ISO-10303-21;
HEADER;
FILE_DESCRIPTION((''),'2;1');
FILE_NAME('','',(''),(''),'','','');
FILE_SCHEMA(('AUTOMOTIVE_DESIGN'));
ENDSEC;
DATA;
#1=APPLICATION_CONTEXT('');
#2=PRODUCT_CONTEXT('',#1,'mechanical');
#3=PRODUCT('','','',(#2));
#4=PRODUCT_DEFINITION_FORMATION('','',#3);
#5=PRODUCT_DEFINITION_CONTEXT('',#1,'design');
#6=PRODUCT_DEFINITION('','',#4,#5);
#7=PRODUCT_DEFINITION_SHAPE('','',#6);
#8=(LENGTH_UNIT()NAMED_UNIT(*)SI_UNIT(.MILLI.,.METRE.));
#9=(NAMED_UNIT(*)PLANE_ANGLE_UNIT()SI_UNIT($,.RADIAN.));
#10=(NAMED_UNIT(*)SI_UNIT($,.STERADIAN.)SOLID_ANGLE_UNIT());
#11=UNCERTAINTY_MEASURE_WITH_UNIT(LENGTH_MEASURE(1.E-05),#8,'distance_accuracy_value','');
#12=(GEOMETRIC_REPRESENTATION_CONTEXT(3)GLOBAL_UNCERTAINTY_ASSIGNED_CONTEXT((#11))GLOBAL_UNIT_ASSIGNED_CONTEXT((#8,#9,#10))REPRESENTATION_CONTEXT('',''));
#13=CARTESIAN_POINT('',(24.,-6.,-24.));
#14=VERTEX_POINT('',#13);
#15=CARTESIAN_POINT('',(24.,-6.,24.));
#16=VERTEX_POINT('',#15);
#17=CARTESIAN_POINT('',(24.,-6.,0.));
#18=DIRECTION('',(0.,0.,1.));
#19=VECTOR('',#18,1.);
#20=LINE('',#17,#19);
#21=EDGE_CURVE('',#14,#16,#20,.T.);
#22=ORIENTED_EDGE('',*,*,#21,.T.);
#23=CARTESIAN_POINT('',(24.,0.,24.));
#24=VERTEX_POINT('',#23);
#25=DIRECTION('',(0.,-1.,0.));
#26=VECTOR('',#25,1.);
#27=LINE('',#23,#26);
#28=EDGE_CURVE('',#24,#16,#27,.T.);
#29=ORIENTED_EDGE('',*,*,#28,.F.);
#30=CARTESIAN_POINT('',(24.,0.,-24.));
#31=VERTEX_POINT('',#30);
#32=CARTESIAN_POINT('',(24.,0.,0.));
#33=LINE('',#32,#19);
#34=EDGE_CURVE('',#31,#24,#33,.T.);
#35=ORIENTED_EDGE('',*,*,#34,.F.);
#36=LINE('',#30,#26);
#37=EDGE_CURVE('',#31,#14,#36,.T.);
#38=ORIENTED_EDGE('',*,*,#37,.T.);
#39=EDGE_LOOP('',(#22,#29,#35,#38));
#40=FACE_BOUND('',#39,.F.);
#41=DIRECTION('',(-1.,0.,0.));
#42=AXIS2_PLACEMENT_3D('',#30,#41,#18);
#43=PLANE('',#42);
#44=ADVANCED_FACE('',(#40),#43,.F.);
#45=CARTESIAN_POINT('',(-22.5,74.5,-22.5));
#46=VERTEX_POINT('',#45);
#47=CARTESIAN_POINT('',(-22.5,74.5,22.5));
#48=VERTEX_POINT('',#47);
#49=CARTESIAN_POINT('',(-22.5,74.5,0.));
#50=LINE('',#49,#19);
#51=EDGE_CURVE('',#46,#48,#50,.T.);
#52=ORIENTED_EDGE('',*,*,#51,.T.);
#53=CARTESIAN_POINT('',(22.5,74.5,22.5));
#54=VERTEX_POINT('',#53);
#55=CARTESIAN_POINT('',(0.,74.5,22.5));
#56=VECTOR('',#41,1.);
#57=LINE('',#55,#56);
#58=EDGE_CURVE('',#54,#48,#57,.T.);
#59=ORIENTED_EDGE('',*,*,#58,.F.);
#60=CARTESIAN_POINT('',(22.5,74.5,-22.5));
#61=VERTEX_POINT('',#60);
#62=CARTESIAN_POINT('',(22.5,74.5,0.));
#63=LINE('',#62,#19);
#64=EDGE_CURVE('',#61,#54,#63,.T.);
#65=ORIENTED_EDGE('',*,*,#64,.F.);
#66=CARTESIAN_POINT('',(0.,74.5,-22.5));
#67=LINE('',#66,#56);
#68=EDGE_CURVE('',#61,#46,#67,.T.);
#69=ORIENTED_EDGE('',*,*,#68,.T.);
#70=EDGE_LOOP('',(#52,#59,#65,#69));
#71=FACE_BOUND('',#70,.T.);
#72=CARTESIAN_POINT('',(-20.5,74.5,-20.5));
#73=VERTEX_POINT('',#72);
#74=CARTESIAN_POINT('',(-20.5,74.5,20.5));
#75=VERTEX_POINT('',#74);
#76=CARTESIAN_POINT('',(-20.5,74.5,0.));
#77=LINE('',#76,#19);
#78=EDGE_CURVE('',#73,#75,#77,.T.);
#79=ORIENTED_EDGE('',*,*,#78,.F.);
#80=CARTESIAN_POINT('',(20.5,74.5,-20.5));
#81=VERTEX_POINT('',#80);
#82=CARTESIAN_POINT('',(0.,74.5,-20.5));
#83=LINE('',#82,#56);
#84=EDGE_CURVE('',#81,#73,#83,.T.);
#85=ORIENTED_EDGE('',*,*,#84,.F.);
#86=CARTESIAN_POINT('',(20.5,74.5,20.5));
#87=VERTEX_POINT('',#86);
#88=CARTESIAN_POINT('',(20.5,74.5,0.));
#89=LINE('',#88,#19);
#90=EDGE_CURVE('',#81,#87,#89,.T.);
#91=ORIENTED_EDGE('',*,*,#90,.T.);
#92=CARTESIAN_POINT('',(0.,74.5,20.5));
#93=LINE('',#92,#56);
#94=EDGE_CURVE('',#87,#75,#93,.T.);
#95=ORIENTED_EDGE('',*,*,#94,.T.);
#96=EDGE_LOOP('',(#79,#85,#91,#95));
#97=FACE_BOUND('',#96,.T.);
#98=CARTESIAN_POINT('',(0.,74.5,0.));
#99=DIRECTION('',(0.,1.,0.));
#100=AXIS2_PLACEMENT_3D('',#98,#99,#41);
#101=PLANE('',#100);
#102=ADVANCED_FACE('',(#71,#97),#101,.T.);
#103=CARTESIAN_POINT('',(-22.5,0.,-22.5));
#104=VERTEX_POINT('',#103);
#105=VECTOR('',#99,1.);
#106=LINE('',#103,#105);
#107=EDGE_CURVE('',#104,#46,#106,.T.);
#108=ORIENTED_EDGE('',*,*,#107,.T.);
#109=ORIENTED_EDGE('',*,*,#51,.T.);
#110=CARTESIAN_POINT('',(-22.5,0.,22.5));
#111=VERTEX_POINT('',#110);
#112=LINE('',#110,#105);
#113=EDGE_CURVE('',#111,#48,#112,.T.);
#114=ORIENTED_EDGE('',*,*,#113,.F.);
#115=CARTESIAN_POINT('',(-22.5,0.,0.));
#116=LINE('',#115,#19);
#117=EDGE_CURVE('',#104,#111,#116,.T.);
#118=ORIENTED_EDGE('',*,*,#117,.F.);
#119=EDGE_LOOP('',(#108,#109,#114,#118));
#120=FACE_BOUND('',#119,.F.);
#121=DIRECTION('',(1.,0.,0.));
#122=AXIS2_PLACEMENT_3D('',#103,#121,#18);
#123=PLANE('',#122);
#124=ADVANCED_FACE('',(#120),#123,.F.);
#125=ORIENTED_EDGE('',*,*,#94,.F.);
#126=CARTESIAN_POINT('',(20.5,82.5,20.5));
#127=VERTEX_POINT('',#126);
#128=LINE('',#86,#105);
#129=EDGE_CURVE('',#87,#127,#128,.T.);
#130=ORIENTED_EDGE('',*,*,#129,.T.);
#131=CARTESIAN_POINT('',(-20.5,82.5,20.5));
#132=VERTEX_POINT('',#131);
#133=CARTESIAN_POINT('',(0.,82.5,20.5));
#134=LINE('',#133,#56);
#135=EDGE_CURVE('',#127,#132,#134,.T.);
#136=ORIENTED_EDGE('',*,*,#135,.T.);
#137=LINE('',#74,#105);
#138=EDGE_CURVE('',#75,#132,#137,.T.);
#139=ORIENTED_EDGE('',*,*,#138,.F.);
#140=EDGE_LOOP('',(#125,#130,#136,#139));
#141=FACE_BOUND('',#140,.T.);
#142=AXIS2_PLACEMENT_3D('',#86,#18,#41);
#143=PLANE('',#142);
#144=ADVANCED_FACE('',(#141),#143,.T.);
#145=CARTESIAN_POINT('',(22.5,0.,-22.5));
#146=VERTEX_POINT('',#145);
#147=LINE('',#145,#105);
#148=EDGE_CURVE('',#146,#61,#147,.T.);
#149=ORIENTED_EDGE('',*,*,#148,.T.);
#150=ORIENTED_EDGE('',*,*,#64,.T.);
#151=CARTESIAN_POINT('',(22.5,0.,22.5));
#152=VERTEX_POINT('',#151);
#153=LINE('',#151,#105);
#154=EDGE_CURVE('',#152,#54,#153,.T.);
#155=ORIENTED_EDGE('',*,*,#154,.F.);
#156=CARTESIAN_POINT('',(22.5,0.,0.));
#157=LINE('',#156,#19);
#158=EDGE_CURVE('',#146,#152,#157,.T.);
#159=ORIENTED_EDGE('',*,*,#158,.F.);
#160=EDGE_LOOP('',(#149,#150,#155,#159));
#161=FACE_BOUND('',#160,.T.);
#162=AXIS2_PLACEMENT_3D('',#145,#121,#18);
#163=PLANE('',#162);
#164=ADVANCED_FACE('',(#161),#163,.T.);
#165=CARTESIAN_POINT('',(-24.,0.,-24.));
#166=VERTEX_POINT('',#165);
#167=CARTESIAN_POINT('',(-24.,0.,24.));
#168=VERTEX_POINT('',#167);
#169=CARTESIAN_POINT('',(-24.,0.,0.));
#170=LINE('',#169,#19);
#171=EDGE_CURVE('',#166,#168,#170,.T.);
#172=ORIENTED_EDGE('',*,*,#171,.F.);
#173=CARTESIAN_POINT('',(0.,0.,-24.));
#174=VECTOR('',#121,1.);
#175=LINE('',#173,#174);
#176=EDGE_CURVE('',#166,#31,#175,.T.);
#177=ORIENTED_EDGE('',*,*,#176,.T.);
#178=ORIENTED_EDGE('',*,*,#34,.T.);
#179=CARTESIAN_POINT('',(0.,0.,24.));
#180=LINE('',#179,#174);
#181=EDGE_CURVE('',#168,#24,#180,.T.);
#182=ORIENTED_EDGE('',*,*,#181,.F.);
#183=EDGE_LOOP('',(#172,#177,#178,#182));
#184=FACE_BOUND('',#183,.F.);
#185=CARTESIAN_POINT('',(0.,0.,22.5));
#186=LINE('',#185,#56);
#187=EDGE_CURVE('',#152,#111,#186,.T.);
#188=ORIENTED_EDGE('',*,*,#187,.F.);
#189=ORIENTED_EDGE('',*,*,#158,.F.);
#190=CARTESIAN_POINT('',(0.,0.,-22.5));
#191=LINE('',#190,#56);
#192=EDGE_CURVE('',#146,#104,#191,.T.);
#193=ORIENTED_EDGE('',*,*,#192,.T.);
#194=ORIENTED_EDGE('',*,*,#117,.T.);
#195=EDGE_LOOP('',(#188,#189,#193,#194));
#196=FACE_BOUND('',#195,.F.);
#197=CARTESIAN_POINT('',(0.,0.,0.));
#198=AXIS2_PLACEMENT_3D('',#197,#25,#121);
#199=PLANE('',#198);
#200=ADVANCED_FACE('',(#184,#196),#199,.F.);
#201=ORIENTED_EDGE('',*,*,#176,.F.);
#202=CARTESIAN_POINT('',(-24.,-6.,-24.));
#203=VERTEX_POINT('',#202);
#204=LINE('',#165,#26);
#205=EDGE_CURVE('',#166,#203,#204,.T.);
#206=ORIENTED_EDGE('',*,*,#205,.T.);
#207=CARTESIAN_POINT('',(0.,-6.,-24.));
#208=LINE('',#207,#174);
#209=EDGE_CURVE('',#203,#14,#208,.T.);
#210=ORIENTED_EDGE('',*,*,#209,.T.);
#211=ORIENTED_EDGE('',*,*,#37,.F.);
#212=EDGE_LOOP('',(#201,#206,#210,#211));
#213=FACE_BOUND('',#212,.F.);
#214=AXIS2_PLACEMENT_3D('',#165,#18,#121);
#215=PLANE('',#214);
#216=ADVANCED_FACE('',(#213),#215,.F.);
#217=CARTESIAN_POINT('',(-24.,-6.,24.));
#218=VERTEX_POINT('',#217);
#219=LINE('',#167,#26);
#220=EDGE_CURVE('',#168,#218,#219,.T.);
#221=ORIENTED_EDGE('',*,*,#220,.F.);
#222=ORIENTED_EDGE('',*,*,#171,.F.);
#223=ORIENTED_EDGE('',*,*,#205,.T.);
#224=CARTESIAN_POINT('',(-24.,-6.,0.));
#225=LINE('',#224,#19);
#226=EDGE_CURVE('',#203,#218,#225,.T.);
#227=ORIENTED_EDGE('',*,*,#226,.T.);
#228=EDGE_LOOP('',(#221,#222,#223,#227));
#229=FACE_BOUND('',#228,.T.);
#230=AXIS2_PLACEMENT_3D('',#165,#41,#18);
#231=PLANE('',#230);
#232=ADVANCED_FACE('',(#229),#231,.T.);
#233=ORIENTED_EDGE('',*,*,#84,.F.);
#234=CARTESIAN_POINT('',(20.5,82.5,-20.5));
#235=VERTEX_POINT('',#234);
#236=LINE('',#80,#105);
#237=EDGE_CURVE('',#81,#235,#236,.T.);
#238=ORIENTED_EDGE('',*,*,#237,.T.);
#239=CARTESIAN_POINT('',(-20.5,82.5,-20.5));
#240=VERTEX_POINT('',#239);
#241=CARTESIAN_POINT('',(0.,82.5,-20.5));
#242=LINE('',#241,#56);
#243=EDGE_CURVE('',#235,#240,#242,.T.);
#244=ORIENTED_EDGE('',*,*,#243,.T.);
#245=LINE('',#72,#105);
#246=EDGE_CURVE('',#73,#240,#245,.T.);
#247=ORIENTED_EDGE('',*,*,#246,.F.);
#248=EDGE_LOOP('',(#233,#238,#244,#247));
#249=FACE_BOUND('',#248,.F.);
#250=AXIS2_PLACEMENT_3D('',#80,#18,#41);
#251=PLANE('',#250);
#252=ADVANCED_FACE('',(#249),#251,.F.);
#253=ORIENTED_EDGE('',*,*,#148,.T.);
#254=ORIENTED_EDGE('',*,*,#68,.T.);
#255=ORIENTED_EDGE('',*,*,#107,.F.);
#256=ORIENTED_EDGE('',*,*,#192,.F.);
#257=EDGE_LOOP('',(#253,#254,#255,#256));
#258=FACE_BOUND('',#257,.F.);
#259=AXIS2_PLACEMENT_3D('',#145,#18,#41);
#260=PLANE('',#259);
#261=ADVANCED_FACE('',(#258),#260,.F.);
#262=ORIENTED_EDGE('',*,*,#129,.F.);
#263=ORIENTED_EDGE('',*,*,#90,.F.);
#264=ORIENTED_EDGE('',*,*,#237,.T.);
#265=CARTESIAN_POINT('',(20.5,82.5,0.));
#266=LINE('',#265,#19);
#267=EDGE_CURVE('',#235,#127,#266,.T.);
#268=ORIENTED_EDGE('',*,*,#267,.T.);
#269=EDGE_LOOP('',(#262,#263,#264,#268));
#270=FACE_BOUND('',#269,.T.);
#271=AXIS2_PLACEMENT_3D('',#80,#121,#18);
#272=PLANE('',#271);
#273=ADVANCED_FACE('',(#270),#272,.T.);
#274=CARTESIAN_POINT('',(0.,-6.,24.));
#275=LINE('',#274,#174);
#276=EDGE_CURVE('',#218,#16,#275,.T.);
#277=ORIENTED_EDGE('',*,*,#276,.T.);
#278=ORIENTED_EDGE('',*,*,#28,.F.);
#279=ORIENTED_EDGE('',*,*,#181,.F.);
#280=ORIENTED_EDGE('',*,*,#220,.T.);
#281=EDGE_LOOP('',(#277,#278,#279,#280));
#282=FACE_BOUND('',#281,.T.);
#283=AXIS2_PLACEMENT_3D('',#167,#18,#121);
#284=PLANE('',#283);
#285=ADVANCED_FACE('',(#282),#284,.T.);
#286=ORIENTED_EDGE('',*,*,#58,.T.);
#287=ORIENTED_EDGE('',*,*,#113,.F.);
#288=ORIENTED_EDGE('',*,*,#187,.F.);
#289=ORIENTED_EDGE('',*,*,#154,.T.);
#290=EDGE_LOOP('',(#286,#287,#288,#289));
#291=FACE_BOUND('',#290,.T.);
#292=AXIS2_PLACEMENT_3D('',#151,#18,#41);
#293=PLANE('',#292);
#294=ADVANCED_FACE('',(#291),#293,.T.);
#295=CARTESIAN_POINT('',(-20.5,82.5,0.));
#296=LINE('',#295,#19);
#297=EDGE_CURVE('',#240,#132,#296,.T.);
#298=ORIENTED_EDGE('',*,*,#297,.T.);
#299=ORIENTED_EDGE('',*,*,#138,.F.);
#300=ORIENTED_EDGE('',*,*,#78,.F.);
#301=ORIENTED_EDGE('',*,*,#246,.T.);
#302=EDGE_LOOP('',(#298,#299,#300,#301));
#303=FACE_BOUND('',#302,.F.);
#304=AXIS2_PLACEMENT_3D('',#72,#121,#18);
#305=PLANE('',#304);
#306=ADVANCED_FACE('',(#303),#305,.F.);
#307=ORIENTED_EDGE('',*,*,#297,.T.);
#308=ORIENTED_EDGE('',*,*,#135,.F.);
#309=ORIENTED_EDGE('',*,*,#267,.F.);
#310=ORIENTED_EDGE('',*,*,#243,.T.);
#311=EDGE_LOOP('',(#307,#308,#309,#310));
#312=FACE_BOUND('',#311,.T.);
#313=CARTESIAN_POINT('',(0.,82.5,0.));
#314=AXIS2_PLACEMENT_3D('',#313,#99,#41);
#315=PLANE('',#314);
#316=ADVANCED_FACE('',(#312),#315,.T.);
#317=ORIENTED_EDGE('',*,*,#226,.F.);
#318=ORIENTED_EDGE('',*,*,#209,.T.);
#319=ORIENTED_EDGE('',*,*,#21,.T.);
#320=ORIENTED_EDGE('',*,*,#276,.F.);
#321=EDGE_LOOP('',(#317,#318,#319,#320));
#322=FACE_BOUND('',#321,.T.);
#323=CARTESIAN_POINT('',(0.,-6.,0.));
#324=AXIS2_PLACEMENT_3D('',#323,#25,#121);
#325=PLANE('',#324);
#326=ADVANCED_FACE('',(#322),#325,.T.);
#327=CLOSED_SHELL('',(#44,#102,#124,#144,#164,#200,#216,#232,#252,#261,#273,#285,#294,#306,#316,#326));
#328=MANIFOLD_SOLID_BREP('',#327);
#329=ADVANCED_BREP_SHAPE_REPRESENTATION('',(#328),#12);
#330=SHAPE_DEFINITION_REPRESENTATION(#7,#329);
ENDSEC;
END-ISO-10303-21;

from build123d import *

# Parameters (mm, degrees)
F0_W     = 48
F0_H     = 48
F1_DEPTH = 6
F2_W     = 45
F2_H     = 45
F3_DEPTH = 74.5
F4_W     = 41
F4_H     = 41
F5_DEPTH = 8


with BuildPart() as f1:
    # F0 (on Front) → F1 (new body)
    with BuildSketch(Plane.XZ):
        Rectangle(F0_W, F0_H)
    extrude(amount=F1_DEPTH)

    # F2 (on face) → F3 (join)
    with BuildSketch(Plane(origin=(0, 0, 0), x_dir=(-1, 0, 0), z_dir=(0, 1, 0))):
        Rectangle(F2_W, F2_H)
    extrude(amount=F3_DEPTH)

    # F4 (on face) → F5 (join)
    with BuildSketch(Plane(origin=(0, 74.5, 0), x_dir=(-1, 0, 0), z_dir=(0, 1, 0))):
        Rectangle(F4_W, F4_H)
    extrude(amount=F5_DEPTH)


solid = f1.part
